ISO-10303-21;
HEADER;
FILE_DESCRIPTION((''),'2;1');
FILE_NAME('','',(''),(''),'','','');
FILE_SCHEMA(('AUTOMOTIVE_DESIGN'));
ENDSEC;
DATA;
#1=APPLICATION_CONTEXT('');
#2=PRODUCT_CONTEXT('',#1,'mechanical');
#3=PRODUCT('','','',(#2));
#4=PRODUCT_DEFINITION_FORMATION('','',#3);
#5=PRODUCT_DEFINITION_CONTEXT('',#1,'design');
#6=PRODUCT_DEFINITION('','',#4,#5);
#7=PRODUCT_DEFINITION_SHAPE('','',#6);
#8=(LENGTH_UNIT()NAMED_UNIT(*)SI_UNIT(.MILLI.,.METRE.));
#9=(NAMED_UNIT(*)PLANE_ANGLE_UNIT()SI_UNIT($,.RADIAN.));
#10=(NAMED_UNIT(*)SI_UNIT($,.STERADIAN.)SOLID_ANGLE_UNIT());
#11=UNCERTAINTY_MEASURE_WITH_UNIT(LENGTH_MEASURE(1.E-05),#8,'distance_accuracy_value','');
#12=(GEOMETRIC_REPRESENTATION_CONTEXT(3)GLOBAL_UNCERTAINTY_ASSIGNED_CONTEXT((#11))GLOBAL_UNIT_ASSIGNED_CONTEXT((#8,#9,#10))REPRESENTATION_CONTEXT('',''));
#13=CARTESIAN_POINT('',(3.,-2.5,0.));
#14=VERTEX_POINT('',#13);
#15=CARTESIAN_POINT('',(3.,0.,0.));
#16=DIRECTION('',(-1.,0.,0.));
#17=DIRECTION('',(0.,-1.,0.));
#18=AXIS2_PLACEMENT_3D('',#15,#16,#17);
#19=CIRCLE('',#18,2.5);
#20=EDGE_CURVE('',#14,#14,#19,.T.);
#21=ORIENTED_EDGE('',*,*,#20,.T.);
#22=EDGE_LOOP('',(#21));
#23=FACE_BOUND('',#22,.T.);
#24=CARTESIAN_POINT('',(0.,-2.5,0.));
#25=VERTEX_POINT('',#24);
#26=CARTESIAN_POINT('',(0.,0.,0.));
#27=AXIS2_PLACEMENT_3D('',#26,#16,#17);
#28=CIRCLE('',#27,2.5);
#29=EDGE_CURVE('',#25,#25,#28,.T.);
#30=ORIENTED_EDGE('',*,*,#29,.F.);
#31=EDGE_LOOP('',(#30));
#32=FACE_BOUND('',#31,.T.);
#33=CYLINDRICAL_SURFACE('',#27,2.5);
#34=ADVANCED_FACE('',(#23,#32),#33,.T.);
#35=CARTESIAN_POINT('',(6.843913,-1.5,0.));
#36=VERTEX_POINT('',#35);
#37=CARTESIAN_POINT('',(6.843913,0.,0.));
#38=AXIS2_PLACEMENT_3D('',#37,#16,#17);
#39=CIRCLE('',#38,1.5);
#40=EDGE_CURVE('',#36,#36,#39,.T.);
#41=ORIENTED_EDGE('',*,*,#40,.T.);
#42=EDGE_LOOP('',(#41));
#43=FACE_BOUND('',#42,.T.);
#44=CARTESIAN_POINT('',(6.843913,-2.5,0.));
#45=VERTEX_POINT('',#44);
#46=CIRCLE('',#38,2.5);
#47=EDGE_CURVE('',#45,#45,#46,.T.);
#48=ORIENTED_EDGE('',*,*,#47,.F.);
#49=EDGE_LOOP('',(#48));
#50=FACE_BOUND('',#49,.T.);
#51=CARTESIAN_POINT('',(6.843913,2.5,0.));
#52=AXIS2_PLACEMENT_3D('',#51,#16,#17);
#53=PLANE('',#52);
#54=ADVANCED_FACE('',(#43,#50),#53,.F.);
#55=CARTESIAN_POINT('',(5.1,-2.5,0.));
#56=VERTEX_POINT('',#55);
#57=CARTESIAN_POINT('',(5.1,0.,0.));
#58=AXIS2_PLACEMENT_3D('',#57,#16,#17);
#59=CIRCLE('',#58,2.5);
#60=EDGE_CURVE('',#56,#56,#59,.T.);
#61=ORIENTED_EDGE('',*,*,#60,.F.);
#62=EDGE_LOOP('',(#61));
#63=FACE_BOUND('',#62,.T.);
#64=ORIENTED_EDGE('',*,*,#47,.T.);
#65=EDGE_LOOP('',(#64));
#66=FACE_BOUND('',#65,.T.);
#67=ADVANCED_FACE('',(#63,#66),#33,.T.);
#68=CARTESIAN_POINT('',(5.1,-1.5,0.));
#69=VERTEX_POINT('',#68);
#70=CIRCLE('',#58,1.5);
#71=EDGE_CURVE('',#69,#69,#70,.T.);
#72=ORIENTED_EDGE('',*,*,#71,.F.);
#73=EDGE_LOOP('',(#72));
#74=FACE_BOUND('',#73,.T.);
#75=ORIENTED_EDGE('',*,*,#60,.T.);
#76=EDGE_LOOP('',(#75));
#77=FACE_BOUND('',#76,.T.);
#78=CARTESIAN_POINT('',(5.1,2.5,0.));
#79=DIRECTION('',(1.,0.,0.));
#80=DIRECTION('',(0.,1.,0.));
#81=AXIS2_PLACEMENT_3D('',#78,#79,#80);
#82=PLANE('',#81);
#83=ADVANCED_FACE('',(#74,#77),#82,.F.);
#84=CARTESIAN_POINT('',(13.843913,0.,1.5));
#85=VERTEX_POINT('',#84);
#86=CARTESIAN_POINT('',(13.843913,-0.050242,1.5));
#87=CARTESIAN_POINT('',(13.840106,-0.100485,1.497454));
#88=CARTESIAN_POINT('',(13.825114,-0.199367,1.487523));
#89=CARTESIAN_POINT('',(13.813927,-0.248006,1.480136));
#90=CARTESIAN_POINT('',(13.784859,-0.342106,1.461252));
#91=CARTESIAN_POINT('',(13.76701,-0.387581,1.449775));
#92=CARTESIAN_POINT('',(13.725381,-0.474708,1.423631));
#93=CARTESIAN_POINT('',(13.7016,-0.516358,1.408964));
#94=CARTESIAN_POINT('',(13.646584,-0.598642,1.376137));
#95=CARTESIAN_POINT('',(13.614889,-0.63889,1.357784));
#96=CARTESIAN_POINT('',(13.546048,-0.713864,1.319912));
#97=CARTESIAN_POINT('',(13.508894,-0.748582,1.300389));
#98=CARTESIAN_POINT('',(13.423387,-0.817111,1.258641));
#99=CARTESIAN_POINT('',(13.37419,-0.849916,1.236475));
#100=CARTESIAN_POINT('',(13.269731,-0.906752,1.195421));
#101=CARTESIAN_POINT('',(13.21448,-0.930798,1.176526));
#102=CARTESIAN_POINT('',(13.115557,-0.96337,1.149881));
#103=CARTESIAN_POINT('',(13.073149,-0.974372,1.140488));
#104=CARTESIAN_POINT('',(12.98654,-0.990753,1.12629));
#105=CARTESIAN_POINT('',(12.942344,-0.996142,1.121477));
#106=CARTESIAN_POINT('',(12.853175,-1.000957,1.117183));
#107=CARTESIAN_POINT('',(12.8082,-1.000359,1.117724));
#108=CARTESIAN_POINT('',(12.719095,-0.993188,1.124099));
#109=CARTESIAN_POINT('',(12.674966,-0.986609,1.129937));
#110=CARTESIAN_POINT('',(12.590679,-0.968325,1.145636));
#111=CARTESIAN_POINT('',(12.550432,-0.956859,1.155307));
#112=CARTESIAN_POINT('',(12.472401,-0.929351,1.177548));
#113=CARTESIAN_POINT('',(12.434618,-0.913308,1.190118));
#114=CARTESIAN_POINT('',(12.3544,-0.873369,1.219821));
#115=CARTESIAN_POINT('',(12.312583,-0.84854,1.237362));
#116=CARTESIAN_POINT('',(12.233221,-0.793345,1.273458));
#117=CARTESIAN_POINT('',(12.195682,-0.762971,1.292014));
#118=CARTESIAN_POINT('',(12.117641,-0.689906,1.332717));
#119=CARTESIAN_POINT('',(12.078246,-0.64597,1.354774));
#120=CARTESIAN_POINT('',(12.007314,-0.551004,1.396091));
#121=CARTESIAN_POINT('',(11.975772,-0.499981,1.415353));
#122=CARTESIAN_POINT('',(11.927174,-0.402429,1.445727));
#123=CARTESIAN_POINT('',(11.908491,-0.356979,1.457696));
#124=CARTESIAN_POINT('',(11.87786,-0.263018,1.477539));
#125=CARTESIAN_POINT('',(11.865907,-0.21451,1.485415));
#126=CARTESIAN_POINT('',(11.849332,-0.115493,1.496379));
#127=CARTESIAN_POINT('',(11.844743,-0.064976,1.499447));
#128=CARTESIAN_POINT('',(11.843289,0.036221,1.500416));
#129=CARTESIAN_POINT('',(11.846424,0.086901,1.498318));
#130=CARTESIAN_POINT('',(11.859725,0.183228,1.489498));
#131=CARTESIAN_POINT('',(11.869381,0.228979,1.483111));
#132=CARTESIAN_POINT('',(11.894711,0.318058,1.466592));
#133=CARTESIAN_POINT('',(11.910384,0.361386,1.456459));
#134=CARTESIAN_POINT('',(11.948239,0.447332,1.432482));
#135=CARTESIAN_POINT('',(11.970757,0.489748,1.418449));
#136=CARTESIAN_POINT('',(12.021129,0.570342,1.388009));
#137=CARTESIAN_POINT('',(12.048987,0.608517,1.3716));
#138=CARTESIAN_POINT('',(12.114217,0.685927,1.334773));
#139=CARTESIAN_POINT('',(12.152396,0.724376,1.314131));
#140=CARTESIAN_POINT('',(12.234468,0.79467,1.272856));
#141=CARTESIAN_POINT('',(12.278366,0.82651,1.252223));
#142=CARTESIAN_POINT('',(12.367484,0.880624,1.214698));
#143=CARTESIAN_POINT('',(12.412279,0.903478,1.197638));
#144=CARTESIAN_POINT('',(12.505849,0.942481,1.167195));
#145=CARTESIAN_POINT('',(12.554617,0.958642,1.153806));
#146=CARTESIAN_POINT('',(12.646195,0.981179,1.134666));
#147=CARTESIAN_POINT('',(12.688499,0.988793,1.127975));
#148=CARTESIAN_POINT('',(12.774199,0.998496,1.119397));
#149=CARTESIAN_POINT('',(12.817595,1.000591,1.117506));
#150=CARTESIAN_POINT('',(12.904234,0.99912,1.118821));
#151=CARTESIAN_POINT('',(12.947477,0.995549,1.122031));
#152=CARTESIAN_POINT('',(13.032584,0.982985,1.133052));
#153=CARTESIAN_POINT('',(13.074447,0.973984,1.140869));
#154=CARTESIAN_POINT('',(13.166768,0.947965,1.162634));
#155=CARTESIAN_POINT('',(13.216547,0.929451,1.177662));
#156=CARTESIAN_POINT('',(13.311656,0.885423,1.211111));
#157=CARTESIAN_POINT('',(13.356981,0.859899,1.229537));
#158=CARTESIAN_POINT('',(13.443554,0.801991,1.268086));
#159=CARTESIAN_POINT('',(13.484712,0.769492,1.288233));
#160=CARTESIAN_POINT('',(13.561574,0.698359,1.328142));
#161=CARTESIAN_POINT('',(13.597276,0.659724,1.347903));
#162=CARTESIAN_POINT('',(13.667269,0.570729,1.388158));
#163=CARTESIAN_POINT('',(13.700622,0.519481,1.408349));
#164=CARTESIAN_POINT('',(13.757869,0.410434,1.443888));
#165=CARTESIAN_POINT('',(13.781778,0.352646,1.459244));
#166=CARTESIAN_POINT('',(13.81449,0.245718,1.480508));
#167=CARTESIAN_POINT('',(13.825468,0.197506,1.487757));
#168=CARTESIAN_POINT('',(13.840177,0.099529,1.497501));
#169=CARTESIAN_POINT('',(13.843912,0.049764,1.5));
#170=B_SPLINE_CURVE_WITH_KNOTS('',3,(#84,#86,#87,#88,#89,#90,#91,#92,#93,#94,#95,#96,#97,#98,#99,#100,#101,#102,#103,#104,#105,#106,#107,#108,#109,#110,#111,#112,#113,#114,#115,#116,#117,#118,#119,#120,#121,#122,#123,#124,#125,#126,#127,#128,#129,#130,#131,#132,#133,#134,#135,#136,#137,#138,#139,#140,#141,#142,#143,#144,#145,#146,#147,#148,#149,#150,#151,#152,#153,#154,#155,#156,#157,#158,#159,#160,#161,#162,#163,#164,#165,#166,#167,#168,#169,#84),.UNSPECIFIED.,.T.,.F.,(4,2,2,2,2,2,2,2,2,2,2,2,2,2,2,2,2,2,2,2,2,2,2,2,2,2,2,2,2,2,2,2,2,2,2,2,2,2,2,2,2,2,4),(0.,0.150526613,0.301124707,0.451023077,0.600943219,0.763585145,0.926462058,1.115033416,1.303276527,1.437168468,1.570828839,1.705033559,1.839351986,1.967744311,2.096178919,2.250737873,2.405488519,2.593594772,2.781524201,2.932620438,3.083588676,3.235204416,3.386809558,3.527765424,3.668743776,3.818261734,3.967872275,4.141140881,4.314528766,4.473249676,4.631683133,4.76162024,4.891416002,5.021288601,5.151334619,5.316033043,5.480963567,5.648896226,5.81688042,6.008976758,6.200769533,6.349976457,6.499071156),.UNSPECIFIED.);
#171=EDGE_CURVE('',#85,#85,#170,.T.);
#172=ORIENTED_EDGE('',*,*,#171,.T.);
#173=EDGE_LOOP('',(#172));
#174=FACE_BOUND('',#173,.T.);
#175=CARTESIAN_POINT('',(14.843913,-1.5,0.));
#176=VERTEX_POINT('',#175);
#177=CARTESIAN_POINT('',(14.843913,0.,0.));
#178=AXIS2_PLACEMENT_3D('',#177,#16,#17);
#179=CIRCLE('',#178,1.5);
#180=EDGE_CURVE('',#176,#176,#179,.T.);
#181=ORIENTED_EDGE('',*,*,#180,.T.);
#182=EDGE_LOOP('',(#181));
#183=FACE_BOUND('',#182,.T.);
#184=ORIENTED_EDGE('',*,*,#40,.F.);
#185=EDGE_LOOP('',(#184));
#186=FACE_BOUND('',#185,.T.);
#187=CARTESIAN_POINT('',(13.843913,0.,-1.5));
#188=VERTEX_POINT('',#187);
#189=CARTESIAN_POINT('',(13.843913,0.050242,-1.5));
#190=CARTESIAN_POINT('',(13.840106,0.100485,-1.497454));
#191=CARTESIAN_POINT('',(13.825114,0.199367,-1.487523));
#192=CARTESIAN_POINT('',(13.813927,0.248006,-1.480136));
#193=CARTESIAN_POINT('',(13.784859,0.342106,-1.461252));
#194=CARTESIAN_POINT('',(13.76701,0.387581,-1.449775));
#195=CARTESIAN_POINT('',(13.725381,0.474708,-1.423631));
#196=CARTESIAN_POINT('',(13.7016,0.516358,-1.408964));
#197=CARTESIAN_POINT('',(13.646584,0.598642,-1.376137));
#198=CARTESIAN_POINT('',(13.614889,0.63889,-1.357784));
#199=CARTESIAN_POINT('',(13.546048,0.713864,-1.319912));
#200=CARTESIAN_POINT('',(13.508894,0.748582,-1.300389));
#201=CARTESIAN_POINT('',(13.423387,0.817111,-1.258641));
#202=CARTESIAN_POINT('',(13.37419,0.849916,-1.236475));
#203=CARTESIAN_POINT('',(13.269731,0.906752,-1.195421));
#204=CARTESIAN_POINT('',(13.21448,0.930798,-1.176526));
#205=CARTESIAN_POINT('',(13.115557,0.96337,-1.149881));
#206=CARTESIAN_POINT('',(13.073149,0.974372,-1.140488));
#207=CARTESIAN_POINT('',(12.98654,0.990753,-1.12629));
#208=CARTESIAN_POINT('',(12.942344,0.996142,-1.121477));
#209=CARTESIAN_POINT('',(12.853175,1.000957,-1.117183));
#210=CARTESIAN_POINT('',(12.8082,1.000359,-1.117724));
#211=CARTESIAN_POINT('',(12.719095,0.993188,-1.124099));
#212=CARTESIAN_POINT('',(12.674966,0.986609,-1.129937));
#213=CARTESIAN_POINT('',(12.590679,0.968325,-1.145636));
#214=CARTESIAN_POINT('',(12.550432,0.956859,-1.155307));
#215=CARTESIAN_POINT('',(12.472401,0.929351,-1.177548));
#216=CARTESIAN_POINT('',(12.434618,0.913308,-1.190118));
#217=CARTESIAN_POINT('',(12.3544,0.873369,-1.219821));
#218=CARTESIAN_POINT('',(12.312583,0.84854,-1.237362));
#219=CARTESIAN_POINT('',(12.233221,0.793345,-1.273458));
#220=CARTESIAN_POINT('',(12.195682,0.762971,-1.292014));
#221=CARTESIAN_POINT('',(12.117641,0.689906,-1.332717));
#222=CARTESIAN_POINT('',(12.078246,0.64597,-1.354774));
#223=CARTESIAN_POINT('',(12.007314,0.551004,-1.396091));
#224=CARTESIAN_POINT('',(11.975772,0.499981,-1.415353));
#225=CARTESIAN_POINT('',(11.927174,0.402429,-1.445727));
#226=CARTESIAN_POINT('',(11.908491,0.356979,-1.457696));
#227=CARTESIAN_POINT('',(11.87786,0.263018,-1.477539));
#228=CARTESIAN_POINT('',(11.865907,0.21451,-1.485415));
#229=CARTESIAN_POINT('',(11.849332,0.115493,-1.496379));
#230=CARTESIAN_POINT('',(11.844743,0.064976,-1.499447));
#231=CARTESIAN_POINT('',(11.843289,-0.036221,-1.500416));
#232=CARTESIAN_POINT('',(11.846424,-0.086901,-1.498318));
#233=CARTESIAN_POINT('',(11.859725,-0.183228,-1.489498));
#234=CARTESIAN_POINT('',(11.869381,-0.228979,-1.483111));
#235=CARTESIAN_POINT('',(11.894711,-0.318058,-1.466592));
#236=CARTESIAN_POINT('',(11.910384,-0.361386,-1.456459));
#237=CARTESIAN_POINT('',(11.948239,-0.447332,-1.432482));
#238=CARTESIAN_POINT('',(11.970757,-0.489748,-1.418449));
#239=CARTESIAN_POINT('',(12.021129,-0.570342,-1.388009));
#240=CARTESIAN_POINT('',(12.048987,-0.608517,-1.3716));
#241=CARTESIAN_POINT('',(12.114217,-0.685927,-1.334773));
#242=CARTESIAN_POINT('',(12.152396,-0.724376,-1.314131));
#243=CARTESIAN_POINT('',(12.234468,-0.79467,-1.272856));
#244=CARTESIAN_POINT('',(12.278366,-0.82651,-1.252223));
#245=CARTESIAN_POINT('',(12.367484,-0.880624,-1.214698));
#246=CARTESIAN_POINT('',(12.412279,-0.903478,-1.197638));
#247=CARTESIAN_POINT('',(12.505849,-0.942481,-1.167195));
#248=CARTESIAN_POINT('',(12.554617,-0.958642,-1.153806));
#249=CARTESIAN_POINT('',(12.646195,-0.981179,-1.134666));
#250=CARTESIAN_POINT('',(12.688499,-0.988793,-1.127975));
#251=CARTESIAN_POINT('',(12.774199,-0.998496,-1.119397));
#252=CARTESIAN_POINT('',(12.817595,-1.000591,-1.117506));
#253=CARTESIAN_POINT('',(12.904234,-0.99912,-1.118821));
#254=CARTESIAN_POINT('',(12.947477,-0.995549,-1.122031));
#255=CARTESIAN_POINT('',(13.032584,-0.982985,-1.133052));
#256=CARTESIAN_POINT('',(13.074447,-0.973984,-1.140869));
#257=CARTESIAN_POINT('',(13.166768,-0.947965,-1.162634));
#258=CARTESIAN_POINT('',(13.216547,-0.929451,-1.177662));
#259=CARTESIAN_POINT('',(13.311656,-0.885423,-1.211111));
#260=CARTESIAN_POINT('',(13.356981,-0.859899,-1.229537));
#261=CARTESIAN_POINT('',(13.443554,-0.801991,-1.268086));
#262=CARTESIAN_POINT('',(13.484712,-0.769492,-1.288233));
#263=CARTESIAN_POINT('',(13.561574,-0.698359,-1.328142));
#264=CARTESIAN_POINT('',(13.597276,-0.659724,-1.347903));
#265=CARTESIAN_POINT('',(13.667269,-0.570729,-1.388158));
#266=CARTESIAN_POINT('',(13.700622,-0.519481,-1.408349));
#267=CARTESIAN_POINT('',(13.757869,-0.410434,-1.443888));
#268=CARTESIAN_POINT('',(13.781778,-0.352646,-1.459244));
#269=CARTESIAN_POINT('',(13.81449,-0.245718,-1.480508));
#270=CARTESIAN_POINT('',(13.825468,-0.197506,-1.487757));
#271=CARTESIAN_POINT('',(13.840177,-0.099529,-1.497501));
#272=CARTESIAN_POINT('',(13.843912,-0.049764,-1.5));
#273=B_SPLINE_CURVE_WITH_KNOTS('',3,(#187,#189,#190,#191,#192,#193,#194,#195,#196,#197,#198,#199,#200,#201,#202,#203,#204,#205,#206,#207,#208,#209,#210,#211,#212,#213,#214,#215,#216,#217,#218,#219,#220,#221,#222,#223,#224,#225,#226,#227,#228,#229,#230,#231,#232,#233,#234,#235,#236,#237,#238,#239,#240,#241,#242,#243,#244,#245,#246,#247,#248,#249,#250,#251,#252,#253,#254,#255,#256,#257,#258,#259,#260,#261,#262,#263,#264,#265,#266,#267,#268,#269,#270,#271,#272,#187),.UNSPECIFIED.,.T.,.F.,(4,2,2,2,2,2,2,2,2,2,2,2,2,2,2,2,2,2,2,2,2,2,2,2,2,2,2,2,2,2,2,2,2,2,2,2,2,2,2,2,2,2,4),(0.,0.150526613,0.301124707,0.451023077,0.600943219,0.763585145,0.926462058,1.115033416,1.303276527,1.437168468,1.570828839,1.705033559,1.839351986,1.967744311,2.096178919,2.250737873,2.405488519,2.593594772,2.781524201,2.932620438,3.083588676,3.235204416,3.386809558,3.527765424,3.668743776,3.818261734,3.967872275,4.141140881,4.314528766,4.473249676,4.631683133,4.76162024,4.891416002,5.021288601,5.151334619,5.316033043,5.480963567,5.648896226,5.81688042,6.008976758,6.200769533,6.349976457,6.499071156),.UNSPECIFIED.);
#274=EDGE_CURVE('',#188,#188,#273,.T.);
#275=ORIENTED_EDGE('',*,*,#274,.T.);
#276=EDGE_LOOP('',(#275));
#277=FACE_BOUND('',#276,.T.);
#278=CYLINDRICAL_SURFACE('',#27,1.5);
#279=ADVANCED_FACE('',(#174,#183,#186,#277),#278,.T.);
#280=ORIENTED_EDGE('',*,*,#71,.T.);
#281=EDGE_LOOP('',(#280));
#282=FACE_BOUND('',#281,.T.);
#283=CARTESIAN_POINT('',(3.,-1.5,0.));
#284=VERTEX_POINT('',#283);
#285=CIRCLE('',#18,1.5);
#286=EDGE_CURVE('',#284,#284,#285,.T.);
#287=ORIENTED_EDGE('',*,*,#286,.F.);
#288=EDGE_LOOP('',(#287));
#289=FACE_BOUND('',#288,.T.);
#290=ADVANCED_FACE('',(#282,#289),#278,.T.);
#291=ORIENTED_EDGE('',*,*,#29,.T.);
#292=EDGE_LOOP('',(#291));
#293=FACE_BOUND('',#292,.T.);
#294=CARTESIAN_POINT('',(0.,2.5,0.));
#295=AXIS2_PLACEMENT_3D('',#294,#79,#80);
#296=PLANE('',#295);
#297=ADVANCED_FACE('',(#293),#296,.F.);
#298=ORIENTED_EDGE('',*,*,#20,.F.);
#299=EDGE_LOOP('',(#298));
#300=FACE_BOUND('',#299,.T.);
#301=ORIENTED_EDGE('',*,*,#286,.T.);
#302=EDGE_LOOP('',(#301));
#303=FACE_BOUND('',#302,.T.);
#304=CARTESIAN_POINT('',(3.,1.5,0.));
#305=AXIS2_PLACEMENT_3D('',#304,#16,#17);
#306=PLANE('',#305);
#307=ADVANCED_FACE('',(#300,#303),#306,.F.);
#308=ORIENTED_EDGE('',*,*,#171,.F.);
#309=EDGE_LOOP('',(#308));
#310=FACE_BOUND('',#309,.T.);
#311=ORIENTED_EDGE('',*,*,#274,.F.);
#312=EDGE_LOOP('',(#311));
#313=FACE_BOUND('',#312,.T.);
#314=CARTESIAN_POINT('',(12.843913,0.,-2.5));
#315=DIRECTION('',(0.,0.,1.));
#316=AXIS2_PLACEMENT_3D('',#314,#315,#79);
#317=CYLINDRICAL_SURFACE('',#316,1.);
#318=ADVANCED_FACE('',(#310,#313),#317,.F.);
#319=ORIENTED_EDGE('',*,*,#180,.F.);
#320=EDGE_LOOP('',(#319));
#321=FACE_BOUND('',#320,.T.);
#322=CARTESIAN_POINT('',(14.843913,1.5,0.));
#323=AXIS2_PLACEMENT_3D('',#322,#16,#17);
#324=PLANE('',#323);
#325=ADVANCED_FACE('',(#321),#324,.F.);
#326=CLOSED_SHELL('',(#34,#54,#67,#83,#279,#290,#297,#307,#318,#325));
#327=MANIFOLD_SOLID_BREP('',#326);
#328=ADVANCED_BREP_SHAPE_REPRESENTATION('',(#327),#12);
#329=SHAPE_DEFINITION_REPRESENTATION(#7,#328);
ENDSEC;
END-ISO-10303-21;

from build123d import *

# Parameters (mm, degrees)
CUT_EXTRUDE1_DEPTH      = 16.259152832
CUT_EXTRUDE1_DEPTH_BACK = 16.259152832
SKETCH2_R               = 1


with BuildPart() as part:
    # Sketch1 → Revolve1 (revolve)
    with BuildSketch(Plane.XY, mode=Mode.PRIVATE) as revolve1_sk:
        Polygon((0, 2.5), (0, 0), (8.84391273, 0), (14.84391273, 0), (14.84391273, 1.5), (6.84391273, 1.5), (6.84391273, 2.5), (5.1, 2.5), (5.1, 1.5), (3, 1.5), (3, 2.5), align=None)
    revolve(revolve1_sk.sketch.rotate(Axis((0, 0, 0), (1, 0, 0)), 180), axis=Axis((0, 0, 0), (1, 0, 0)))

    # Sketch2 → Cut-Extrude1 (cut, two sides: drawn at the far end of the back side and taken through both)
    with BuildSketch(Plane.XY.offset(-CUT_EXTRUDE1_DEPTH_BACK)):
        with Locations((12.84391273, 0)):
            Circle(SKETCH2_R)
    extrude(amount=CUT_EXTRUDE1_DEPTH + CUT_EXTRUDE1_DEPTH_BACK, mode=Mode.SUBTRACT)


solid = part.part
